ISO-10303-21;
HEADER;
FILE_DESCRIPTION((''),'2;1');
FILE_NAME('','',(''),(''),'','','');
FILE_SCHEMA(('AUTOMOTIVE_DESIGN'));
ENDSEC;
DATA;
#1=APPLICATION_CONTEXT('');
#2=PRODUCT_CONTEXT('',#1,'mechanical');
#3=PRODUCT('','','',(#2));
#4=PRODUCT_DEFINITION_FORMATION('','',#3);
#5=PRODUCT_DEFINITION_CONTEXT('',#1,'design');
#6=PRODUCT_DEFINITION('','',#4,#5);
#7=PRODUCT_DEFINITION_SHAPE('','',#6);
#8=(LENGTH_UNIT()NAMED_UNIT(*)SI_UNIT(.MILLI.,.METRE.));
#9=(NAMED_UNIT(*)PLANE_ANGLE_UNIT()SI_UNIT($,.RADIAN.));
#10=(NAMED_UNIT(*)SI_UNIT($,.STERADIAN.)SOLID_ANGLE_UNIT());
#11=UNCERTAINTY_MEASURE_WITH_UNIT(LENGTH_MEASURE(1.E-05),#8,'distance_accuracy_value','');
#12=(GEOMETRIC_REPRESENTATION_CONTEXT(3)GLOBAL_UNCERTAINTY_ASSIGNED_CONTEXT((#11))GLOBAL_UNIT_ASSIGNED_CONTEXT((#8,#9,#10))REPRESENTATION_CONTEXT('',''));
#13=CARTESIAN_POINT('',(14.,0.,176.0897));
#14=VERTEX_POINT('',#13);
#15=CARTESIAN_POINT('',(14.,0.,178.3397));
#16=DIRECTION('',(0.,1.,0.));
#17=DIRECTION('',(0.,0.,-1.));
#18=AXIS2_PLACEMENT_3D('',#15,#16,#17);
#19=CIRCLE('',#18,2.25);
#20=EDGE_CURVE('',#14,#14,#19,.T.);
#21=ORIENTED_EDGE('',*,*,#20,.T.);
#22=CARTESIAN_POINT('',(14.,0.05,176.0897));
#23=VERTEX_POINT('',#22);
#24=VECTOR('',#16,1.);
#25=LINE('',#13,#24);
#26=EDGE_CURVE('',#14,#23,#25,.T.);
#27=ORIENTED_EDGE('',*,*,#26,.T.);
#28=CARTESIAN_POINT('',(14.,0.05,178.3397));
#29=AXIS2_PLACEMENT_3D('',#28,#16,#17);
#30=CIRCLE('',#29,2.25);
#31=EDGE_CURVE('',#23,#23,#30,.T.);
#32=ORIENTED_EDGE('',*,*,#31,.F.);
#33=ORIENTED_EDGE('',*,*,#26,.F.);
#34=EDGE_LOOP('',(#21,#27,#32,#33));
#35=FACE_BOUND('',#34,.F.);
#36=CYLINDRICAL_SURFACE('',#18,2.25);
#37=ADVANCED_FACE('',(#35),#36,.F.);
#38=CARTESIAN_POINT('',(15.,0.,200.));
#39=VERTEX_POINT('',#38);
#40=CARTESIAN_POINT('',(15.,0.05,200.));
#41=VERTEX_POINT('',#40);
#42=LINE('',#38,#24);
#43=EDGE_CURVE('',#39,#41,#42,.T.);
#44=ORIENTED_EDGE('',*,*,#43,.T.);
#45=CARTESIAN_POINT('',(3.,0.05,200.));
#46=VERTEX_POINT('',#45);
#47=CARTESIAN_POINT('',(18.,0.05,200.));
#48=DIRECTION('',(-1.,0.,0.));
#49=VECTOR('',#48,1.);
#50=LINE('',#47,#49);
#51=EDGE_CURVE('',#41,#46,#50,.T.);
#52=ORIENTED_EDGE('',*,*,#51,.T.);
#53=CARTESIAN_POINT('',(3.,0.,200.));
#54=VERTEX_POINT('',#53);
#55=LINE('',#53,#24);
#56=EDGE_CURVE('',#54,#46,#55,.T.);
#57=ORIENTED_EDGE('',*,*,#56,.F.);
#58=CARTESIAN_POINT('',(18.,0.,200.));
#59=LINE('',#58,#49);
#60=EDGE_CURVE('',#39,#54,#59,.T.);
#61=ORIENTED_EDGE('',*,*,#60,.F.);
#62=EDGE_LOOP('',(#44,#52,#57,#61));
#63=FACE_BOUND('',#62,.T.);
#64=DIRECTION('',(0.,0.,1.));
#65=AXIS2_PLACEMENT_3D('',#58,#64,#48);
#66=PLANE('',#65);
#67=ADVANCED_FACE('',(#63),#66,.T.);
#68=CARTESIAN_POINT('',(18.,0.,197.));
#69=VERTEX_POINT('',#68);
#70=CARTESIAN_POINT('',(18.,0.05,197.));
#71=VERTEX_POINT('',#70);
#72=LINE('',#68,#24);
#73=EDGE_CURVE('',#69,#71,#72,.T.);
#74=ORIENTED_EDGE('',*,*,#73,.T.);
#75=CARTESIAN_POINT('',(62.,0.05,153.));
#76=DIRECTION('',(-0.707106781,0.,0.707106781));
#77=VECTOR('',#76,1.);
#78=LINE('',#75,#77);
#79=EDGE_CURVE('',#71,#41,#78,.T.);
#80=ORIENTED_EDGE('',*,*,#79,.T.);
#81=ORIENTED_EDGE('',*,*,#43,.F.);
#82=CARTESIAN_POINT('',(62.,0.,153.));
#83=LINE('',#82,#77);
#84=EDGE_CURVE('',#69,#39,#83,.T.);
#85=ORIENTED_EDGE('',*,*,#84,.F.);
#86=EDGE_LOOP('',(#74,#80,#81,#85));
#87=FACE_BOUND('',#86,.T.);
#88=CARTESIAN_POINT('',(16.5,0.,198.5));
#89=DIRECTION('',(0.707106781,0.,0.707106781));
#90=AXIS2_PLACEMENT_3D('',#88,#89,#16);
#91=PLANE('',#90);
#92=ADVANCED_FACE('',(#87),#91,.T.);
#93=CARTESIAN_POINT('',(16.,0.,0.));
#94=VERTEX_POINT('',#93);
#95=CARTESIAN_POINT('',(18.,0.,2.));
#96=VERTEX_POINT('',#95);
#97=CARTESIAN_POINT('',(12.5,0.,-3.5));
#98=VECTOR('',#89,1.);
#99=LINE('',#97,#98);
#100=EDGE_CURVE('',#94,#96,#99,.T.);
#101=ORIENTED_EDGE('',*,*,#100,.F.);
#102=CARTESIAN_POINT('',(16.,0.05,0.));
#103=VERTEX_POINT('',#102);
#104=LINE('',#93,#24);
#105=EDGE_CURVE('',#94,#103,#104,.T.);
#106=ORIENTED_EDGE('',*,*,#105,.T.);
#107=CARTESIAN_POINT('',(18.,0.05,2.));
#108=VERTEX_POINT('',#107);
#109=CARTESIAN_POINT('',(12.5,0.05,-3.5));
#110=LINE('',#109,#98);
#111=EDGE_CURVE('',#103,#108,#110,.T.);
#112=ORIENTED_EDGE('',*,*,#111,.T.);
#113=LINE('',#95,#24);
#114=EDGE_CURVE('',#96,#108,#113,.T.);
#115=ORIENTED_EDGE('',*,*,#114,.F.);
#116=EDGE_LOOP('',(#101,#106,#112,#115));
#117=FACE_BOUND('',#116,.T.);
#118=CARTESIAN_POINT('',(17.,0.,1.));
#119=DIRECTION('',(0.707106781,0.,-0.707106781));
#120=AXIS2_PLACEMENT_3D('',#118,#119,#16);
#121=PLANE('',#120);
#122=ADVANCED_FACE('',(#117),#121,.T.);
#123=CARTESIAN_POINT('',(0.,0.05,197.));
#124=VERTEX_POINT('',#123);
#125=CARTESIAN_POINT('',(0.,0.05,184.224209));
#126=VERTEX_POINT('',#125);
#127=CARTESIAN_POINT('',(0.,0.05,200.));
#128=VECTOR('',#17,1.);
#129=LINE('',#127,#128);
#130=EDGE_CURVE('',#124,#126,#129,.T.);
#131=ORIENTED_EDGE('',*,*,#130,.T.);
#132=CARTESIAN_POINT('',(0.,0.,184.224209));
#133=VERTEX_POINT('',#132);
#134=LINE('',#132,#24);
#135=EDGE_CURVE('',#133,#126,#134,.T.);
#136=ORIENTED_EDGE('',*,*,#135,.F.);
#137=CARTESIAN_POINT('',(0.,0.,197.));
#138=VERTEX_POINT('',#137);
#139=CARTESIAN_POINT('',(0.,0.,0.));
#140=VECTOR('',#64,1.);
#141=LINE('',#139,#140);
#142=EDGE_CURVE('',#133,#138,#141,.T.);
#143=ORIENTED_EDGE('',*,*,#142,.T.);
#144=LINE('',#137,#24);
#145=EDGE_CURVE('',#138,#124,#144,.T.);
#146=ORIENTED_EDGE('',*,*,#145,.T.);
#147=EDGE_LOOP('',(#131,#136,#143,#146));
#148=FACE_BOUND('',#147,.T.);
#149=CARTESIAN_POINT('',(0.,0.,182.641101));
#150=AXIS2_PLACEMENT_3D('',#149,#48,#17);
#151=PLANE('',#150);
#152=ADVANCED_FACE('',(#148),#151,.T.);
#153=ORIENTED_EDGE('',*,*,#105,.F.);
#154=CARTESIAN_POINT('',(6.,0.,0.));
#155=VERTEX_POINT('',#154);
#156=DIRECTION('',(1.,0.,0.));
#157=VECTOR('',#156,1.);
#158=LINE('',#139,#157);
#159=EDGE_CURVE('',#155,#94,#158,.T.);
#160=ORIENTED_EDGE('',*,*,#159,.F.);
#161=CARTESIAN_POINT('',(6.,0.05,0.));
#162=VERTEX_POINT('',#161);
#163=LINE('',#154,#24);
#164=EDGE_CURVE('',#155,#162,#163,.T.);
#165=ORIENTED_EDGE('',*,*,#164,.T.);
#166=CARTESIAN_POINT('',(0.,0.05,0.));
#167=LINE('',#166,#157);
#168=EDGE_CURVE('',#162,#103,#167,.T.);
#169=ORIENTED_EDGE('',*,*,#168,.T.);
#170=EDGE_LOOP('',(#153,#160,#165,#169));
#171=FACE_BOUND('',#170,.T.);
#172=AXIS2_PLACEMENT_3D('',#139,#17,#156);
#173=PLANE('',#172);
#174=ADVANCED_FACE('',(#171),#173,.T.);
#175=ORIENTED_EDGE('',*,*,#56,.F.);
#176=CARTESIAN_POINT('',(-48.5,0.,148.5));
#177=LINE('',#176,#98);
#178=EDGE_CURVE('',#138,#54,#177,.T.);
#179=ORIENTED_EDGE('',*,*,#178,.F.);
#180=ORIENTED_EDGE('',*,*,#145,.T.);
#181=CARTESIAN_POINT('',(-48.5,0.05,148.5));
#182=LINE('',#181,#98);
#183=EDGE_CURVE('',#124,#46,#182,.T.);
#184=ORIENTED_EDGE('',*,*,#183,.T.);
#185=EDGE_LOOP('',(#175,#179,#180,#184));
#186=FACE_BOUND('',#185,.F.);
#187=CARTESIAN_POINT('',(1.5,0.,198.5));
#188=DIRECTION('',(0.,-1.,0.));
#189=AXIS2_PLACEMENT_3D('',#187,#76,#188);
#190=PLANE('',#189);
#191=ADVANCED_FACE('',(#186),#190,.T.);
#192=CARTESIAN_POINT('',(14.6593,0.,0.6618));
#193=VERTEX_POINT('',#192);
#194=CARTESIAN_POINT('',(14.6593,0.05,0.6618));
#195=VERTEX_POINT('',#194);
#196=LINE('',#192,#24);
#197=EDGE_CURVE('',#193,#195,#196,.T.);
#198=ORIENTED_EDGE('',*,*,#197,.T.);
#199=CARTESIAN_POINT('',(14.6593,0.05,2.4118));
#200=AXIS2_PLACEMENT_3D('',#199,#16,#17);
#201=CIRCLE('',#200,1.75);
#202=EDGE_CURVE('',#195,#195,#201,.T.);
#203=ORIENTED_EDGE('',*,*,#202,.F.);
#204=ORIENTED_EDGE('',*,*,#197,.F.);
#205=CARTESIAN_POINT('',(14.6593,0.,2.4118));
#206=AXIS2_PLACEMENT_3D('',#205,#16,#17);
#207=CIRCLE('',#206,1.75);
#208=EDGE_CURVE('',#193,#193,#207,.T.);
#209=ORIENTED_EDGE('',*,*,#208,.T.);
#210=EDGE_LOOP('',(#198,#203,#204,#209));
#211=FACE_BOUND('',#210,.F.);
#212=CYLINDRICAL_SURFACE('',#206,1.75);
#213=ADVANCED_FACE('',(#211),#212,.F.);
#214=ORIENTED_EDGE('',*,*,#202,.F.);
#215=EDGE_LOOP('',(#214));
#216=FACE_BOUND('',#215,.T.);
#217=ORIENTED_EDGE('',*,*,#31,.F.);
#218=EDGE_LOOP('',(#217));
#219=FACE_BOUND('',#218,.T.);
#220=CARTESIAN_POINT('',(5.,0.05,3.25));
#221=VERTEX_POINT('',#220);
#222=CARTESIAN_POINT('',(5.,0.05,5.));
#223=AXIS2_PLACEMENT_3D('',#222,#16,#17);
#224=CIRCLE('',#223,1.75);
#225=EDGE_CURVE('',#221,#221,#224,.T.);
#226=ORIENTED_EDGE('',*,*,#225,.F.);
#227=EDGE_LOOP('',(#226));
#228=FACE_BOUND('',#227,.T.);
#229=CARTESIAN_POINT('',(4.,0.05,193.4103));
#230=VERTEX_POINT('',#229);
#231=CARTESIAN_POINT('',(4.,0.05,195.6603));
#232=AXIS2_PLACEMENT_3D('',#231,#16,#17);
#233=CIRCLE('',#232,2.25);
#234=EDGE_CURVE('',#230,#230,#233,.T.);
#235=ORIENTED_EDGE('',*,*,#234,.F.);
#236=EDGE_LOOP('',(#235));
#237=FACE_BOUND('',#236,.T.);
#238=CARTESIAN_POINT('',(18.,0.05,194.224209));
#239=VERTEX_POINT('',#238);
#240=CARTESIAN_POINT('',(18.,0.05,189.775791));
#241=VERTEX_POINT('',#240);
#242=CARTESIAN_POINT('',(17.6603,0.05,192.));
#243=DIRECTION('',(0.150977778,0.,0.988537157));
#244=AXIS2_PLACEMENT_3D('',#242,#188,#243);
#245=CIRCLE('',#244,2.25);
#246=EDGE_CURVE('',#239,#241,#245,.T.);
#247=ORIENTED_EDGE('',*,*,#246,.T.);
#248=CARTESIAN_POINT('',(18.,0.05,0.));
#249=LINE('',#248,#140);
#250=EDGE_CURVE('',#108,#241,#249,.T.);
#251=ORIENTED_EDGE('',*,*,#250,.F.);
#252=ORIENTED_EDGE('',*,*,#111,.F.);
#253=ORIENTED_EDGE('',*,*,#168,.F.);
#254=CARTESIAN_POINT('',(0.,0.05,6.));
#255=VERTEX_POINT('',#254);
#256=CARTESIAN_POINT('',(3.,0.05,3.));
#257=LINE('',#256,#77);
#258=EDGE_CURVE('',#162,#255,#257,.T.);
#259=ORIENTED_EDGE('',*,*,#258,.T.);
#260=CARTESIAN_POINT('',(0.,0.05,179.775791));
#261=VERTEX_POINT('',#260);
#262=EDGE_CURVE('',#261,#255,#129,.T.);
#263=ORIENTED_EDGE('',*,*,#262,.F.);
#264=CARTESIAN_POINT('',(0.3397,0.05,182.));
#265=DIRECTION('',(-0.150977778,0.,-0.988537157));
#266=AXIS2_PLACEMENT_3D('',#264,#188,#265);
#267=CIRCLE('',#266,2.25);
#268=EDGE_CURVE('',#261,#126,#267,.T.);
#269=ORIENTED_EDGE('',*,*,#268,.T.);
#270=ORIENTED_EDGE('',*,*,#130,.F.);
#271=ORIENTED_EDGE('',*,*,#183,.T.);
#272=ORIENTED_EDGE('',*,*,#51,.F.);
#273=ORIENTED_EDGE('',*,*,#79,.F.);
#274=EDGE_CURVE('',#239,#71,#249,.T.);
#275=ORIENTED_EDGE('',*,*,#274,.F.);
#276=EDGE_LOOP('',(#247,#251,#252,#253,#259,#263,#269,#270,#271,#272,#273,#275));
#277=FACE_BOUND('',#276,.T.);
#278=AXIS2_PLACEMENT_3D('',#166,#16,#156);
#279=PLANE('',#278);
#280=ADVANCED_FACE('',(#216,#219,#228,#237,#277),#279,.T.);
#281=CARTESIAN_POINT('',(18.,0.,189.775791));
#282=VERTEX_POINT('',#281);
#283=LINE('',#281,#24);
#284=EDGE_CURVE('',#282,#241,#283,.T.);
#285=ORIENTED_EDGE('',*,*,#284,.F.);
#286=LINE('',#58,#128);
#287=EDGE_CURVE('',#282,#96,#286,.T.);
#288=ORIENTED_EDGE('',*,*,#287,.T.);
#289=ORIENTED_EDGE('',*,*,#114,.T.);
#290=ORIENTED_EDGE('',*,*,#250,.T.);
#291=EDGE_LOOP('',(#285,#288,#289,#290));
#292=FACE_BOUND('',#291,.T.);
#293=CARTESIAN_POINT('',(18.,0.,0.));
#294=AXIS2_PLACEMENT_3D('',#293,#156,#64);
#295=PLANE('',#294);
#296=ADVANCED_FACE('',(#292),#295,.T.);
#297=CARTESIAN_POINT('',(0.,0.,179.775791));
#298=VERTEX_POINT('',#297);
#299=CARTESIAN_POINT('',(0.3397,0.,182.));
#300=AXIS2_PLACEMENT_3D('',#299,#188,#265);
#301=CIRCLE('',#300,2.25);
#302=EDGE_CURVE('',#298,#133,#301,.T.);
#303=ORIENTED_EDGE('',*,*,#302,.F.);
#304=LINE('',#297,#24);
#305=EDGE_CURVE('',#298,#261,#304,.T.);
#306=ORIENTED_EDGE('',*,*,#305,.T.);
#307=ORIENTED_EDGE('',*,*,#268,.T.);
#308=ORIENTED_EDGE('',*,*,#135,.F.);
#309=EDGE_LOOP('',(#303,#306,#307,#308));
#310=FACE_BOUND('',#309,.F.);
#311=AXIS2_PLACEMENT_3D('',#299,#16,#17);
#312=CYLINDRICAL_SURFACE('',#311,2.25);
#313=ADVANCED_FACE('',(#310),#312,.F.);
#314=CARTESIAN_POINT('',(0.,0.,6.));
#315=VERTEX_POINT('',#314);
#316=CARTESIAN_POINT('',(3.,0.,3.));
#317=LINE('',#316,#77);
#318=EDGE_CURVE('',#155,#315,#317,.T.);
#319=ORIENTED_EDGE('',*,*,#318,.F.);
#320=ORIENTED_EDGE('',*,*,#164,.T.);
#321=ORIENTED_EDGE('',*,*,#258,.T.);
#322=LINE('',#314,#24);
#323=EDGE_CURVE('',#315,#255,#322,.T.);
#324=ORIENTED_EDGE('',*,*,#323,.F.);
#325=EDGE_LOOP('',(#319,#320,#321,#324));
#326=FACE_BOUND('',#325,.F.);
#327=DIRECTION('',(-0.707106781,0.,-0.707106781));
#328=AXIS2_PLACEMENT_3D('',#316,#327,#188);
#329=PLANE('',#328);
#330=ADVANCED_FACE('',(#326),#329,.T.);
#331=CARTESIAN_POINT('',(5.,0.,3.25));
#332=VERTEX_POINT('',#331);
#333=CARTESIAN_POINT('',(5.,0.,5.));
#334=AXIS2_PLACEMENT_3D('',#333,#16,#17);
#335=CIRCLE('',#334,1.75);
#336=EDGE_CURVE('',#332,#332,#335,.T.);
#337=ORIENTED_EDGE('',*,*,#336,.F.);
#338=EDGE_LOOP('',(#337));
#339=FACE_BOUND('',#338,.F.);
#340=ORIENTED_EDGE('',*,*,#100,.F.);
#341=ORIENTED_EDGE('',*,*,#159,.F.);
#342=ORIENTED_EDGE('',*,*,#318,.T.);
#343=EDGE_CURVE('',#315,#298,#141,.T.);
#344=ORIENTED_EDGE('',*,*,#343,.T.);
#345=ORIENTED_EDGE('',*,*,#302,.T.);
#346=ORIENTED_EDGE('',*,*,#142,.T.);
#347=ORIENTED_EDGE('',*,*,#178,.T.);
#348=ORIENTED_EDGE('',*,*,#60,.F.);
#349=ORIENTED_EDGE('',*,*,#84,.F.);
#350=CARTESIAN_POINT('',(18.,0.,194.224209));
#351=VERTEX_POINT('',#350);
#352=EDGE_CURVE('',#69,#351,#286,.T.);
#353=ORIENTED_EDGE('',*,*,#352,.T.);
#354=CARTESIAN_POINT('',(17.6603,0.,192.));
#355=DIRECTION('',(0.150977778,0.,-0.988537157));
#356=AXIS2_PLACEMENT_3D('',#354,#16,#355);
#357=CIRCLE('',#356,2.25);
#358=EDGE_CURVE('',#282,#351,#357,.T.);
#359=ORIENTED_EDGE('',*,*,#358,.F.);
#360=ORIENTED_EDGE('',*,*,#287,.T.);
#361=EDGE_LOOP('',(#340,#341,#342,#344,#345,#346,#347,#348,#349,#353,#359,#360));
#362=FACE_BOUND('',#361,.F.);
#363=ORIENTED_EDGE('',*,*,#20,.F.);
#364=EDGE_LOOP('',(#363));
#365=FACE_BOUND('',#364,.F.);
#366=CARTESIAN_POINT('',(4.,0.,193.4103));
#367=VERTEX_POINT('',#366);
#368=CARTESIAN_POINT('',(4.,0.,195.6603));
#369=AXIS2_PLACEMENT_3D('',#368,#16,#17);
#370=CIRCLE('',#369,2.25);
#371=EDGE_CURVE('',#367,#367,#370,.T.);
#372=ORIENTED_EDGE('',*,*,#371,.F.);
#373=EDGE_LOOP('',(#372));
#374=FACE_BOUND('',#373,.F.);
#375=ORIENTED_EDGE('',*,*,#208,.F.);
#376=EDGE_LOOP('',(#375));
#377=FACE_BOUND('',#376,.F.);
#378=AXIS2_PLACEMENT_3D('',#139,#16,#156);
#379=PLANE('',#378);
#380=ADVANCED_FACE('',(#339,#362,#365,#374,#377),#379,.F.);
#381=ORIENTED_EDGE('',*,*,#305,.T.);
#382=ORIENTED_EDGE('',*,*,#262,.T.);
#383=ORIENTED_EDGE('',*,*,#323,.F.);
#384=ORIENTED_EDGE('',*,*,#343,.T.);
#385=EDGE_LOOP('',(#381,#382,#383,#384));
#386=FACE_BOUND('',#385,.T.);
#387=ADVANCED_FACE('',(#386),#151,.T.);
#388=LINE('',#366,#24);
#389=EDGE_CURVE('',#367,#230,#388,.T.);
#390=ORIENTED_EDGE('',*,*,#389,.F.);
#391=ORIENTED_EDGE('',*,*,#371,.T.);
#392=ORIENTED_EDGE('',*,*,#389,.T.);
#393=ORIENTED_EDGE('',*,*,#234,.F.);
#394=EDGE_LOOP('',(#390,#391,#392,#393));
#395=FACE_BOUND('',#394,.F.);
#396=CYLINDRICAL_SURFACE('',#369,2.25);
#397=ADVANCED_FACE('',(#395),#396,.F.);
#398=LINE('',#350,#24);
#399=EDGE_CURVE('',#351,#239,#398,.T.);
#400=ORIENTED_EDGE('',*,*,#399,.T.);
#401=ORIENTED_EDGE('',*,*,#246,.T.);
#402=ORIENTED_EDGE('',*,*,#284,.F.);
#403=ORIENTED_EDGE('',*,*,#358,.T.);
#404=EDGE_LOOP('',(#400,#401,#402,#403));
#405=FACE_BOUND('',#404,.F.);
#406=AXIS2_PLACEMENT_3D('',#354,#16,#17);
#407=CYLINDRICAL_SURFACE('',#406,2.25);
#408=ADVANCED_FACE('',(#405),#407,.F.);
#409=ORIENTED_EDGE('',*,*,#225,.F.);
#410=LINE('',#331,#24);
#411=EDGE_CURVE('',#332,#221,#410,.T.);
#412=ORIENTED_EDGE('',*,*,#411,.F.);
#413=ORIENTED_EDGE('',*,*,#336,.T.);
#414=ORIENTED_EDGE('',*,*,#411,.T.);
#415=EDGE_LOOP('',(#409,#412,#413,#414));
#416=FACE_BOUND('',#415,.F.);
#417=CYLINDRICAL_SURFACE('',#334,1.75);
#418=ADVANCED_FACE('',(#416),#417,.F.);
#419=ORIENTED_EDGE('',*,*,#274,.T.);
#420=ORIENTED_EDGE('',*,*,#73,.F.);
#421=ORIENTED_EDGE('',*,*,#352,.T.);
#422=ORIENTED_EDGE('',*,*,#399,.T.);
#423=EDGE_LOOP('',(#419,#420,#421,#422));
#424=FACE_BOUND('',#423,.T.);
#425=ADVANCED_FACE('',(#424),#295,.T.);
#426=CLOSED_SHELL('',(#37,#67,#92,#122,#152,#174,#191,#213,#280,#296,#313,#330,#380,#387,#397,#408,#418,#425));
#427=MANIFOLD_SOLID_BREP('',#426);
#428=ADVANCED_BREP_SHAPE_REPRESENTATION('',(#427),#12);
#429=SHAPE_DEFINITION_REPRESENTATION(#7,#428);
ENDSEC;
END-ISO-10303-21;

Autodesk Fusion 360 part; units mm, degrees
sketch "Sketch1" plane through (0, 0, 0) normal (0, 1, 0) x (1, 0, 0)
  line L0 (0, 0) -> (18, 0)
  line L1 (18, 0) -> (18, -200)
  line L2 (18, -200) -> (0, -200)
  line L3 (0, -200) -> (0, 0)
  circle A0 centre (9, -187) radius 10
  line L4 (9, -187) -> (19, -187) construction
  line L5 (9, -187) -> (14, -178.3397) construction
  line L6 (9, -200) -> (9, -187) construction
  line L7 (5, -5) -> (14.6593, -2.4118) construction
  point P0 (5, -5)
  point P1 (14.6593, -2.4118)
  point P2 (14, -178.3397)
  point P3 (0.3397, -182)
  point P4 (4, -195.6603)
  point P5 (17.6603, -192)
  dimension "d1" = 18
  dimension "d2" = 200
  dimension "d3" = 10
  dimension "d4" = 5
  dimension "d5" = 5
  dimension "d12" = 20
  dimension "d13" = 60
  dimension "d14" = 13
  dimension "d19" = 360
  dimension "d20" = 15
extrude "Extrude1" add sketch "Sketch1" along normal blind 0.05 contours L0 L1 L3 A0 | L1 L3 A0 | L1 L2 L3 A0
hole "Hole1" at (5, 0, 5) at (14.6593, 0, 2.4118) direction (0, 1, 0) diameter 3.5 end through all
chamfer "Chamfer1" distance 3 angle 45 2 edges at (18, 0.025, 200) (0, 0.025, 200)
hole "Hole2" at (14, 0, 178.3397) at (0.3397, 0, 182) at (4, 0, 195.6603) at (17.6603, 0, 192) direction (0, 1, 0) diameter 4.5 depth 0.05 tip angle 118
chamfer "Chamfer2" distance 2 angle 45 1 edges at (18, 0.025, 0)
chamfer "Chamfer3" distance 6 angle 45 1 edges at (0, 0.025, 0)
